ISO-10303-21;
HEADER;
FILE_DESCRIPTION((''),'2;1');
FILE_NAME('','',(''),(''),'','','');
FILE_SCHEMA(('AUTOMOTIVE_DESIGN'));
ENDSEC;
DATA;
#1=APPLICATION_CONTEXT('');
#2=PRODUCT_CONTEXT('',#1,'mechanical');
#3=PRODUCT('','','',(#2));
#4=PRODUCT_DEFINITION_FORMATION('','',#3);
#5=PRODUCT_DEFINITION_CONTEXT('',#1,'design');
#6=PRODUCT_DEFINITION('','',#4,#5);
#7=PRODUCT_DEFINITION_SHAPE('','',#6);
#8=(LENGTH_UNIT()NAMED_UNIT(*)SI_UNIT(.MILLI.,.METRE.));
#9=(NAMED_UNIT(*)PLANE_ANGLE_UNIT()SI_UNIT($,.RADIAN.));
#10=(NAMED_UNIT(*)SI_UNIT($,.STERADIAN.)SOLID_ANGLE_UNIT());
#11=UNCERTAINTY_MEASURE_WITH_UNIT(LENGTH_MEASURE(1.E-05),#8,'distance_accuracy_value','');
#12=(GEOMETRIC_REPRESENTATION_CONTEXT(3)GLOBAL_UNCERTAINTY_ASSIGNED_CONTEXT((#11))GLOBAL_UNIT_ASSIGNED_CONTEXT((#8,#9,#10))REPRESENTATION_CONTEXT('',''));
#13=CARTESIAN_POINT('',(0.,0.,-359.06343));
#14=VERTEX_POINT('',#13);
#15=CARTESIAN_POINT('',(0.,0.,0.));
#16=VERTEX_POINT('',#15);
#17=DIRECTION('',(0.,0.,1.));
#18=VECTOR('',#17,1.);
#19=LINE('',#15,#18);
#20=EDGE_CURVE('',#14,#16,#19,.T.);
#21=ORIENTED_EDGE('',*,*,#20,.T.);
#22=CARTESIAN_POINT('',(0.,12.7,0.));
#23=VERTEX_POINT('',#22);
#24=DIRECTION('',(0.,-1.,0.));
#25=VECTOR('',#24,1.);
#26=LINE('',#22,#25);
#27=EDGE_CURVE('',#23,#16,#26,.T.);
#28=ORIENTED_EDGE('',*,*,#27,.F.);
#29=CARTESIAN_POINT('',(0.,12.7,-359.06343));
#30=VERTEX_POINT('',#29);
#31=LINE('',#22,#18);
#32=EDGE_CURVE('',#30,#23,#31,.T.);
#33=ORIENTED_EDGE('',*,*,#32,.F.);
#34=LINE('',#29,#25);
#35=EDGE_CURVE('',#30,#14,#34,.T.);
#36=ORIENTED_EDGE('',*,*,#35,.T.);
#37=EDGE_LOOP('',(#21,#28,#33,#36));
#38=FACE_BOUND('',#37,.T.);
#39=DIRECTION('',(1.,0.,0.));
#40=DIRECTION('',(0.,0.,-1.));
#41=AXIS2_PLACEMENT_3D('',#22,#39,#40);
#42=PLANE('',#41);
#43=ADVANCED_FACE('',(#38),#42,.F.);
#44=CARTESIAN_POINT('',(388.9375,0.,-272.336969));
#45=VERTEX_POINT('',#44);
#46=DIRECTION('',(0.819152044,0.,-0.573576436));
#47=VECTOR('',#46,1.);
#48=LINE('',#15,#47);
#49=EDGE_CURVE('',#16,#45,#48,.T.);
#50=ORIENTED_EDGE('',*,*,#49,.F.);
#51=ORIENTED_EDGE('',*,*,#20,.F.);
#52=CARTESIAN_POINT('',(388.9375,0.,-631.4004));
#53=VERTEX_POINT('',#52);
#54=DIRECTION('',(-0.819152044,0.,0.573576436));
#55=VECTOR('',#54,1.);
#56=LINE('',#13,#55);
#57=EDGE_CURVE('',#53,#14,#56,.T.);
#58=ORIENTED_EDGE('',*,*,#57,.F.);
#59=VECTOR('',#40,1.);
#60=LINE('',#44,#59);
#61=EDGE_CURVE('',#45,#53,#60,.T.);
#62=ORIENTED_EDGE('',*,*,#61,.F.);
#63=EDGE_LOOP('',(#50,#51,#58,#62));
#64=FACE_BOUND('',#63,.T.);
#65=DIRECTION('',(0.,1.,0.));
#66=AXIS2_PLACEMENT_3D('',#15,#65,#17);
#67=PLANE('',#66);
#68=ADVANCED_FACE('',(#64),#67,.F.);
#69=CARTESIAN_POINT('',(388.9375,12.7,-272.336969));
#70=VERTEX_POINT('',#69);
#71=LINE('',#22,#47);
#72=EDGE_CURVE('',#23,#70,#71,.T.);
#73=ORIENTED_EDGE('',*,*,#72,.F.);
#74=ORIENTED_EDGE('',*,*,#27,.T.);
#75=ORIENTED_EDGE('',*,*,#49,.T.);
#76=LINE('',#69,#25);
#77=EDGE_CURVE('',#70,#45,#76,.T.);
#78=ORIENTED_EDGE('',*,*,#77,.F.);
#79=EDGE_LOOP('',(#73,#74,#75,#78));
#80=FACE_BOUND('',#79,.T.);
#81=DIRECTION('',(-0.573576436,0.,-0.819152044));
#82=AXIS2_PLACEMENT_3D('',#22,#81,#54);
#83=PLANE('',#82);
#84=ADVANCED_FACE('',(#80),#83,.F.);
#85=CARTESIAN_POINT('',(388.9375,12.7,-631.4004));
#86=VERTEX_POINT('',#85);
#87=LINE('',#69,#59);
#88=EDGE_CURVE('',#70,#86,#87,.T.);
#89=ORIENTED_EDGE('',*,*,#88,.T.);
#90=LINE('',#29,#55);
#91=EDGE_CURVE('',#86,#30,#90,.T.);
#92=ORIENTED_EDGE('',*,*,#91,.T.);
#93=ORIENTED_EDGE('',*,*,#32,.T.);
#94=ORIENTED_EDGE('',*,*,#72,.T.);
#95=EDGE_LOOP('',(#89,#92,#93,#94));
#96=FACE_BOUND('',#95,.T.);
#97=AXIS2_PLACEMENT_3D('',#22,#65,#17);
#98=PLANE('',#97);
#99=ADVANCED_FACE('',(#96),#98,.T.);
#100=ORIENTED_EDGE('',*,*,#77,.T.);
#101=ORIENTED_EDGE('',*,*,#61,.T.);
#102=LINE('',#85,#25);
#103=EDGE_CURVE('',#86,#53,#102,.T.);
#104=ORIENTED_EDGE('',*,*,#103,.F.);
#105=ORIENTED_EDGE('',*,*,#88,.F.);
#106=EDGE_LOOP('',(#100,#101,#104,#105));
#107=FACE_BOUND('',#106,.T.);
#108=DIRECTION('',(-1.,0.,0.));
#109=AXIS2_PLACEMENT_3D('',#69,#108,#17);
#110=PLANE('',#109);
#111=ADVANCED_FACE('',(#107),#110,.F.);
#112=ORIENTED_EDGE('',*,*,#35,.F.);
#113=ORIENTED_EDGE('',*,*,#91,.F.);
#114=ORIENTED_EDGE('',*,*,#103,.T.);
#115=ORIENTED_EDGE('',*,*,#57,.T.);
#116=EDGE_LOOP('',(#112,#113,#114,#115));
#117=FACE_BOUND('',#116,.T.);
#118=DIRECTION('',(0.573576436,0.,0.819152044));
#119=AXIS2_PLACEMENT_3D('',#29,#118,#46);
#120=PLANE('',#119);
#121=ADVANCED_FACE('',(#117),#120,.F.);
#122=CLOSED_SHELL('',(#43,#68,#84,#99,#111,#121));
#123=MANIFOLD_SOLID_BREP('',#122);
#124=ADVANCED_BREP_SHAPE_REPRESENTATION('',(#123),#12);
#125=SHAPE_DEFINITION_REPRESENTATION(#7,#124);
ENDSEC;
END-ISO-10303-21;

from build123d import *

# Parameters (mm, degrees)
BOSS_EXTRUDE1_DEPTH = 12.7


with BuildPart() as part:
    # Sketch1 → Boss-Extrude1 (new body)
    with BuildSketch(Plane(origin=(0, 0, 0), x_dir=(1, 0, 0), z_dir=(0, 1, 0))):
        Polygon((0, 0), (0, 359.06343047), (388.9375, 631.400399863), (388.9375, 272.336969392), align=None)
    extrude(amount=BOSS_EXTRUDE1_DEPTH)


solid = part.part
